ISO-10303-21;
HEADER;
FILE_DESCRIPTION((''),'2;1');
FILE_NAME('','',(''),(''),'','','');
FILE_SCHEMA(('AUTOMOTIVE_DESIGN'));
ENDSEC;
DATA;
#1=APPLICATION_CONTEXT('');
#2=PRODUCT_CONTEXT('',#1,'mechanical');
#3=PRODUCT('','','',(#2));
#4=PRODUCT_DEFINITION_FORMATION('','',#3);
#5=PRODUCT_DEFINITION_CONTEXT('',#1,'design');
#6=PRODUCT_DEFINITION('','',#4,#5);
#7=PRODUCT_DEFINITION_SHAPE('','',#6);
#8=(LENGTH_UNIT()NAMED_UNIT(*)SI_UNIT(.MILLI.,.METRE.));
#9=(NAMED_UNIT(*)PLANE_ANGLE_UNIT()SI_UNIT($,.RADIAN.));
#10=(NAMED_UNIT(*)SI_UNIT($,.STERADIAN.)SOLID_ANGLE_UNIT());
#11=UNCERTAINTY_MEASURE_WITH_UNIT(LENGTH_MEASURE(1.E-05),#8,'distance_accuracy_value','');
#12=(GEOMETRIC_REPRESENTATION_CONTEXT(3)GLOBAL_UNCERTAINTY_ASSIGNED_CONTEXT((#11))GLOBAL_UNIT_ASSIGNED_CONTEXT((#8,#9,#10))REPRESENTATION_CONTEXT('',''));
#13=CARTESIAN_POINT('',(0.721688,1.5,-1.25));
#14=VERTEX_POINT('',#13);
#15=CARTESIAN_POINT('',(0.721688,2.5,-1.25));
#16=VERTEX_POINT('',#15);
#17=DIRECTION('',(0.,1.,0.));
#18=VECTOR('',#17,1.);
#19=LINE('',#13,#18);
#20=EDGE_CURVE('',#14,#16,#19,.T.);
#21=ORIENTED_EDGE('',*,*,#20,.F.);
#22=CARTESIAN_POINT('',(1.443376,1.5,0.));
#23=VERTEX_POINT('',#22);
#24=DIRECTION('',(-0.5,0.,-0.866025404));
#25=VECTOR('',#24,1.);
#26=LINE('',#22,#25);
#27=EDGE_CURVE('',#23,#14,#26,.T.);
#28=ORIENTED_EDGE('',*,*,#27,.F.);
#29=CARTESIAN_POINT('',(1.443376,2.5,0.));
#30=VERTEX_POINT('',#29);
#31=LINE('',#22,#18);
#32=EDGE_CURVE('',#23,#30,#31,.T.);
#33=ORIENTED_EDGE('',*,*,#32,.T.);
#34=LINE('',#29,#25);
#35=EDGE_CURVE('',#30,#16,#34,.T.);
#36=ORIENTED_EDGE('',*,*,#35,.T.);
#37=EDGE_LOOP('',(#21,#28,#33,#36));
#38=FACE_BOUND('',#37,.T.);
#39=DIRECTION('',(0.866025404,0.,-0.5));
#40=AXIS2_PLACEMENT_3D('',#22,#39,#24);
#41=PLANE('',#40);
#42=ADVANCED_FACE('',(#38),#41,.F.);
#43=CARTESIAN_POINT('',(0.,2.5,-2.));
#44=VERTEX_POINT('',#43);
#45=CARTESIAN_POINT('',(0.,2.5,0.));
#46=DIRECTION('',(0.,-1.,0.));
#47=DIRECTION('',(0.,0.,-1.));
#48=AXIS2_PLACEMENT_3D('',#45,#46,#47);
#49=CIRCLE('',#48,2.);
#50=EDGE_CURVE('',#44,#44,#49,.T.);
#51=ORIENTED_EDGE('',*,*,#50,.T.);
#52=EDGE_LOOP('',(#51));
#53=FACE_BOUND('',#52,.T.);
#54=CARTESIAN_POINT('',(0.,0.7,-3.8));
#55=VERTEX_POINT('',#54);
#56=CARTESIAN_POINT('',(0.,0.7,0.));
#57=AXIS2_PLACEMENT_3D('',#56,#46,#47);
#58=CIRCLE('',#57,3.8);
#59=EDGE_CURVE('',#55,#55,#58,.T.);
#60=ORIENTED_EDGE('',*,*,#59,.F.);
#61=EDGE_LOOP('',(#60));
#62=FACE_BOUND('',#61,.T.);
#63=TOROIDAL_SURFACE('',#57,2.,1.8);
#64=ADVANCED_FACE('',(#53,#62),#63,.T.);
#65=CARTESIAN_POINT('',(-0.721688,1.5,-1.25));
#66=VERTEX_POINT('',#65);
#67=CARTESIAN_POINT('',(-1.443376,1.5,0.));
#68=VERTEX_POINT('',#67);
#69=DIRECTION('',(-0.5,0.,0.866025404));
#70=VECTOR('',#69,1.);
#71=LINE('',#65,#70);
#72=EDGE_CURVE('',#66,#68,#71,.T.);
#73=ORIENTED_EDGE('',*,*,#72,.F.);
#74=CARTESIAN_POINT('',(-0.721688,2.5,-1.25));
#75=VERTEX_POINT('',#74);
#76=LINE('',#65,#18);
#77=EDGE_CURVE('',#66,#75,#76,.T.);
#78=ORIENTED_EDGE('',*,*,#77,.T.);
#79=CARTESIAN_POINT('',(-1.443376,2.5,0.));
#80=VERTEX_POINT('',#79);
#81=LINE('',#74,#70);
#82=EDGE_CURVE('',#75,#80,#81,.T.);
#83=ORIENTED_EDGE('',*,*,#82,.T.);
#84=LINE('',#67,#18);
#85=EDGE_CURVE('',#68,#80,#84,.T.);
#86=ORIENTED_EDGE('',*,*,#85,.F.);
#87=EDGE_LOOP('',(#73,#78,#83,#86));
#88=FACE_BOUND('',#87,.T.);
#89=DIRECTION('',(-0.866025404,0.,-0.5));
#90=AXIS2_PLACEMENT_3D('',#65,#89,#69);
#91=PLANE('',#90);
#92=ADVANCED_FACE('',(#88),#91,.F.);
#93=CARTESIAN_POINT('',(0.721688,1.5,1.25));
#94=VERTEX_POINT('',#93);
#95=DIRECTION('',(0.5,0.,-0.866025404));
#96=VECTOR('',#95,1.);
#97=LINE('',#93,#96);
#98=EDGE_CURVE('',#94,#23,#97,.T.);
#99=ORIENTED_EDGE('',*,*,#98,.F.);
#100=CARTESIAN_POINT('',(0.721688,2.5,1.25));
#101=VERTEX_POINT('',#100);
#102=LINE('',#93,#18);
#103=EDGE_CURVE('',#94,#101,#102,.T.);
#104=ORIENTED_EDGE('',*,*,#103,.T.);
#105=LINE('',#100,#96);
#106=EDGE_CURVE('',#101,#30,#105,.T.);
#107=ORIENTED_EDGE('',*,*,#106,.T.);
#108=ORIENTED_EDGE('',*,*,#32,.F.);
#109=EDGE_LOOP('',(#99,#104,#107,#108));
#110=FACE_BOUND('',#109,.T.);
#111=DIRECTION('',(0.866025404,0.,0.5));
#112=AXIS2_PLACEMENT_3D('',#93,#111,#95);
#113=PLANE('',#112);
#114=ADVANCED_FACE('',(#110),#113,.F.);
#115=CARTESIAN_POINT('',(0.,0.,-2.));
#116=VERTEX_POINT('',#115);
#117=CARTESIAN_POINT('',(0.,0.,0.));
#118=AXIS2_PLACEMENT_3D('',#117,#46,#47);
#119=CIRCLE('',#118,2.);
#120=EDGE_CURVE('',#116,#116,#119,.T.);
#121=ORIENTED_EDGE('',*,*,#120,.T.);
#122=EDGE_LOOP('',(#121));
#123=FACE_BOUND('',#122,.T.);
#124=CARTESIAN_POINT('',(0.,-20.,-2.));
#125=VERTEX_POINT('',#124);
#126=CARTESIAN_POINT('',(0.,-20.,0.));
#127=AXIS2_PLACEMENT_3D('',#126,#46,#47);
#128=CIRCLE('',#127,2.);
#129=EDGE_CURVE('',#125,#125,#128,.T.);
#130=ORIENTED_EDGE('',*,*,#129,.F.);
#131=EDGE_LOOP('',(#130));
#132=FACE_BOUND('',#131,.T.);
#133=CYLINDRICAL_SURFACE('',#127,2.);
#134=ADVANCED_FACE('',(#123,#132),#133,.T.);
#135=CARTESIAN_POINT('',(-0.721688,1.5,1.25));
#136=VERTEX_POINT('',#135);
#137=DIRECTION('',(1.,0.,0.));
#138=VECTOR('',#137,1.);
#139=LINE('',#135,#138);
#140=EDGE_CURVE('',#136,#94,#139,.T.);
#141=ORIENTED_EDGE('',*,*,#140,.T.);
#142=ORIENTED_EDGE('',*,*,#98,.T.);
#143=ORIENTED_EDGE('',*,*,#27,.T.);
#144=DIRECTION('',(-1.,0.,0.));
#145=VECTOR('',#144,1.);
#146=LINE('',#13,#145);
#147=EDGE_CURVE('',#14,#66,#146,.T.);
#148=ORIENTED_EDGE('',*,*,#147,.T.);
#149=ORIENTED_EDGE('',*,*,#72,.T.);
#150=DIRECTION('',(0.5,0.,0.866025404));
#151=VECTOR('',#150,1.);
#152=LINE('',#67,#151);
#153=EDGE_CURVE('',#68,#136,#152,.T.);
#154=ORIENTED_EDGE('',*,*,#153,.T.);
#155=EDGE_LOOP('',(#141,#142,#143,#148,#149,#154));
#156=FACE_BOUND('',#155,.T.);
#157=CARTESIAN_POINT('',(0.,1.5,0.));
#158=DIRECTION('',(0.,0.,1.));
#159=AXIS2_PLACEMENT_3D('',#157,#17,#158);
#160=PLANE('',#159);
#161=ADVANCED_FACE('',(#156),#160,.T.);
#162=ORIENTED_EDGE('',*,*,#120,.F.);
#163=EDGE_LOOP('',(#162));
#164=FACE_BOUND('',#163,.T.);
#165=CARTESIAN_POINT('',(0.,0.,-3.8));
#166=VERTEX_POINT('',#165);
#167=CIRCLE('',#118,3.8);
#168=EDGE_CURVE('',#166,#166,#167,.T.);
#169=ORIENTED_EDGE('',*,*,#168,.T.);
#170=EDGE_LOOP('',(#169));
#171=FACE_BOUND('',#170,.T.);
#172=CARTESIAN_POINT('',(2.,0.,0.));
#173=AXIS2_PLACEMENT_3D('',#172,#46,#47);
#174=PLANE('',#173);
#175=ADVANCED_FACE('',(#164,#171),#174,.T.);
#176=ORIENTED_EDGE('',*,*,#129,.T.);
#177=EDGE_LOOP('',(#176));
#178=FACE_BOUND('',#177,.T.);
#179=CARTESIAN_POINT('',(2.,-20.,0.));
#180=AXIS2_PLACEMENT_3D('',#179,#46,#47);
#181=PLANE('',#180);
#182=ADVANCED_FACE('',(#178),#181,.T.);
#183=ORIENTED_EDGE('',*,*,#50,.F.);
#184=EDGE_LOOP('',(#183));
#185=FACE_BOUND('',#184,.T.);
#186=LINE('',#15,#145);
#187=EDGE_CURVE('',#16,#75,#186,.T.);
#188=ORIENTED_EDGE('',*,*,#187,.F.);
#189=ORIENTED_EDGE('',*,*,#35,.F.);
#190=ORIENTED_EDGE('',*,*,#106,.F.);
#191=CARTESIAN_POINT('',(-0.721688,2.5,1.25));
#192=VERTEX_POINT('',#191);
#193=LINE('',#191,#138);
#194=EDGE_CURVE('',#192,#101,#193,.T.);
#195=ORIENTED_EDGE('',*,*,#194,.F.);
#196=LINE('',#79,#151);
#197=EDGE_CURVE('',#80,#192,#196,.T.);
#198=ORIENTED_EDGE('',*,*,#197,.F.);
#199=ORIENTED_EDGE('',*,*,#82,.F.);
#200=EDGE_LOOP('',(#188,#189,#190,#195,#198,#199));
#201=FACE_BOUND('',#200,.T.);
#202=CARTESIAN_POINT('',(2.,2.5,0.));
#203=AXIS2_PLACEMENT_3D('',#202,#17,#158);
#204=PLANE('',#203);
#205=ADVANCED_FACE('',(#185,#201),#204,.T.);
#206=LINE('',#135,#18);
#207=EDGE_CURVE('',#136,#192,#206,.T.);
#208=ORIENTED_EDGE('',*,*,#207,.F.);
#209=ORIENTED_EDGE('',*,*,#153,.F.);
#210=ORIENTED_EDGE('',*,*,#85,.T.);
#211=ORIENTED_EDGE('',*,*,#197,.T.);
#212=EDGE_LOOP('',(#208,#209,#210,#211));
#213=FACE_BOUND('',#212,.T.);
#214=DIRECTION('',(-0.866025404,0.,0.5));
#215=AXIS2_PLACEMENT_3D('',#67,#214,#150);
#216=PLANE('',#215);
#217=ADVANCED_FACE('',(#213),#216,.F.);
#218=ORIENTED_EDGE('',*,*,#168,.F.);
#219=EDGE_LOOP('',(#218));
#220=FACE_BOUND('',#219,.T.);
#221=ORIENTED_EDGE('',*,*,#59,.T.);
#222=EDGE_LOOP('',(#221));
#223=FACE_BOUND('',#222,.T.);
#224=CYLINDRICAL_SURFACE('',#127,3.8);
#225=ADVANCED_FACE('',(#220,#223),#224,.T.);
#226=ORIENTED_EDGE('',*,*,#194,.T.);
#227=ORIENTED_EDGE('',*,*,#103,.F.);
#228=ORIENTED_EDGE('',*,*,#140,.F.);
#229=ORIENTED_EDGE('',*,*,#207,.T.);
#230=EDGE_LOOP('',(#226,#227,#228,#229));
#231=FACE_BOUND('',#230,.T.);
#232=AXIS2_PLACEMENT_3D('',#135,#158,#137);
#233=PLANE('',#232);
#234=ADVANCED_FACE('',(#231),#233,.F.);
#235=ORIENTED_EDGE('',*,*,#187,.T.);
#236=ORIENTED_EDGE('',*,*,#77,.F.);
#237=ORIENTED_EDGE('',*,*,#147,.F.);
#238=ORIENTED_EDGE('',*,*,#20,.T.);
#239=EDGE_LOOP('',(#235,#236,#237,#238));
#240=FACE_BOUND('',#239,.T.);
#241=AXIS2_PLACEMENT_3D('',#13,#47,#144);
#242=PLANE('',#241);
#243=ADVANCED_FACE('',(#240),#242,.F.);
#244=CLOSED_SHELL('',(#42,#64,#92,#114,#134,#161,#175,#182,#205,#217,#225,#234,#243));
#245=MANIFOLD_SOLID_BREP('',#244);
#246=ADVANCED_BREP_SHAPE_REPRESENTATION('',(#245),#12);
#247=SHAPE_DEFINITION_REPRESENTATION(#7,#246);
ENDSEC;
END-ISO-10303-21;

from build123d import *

# Parameters (mm, degrees)
CUT_EXTRUDE1_DEPTH = 1


with BuildPart() as part:
    # Sketch1 → Revolve1 (revolve)
    with BuildSketch(Plane.XY):
        with BuildLine():
            Line((2, 0), (3.8, 0))
            Line((3.8, 0), (3.8, 0.7))
            ThreePointArc((3.8, 0.7), (3.272792206, 1.972792206), (2, 2.5))
            Line((2, 2.5), (0, 2.5))
            Line((0, 2.5), (0, -20))
            Line((0, -20), (2, -20))
            Line((2, -20), (2, 0))
        make_face()
    revolve(axis=Axis((0, -20, 0), (0, 1, 0)))

    # Sketch2 → Cut-Extrude1 (cut)
    with BuildSketch(Plane(origin=(0, 2.5, 0), x_dir=(1, 0, 0), z_dir=(0, 1, 0))):
        Polygon((0.721687836, 1.25), (-0.721687836, 1.25), (-1.443375673, 0), (-0.721687836, -1.25), (0.721687836, -1.25), (1.443375673, 0), align=None)
    extrude(amount=-CUT_EXTRUDE1_DEPTH, mode=Mode.SUBTRACT)


solid = part.part
